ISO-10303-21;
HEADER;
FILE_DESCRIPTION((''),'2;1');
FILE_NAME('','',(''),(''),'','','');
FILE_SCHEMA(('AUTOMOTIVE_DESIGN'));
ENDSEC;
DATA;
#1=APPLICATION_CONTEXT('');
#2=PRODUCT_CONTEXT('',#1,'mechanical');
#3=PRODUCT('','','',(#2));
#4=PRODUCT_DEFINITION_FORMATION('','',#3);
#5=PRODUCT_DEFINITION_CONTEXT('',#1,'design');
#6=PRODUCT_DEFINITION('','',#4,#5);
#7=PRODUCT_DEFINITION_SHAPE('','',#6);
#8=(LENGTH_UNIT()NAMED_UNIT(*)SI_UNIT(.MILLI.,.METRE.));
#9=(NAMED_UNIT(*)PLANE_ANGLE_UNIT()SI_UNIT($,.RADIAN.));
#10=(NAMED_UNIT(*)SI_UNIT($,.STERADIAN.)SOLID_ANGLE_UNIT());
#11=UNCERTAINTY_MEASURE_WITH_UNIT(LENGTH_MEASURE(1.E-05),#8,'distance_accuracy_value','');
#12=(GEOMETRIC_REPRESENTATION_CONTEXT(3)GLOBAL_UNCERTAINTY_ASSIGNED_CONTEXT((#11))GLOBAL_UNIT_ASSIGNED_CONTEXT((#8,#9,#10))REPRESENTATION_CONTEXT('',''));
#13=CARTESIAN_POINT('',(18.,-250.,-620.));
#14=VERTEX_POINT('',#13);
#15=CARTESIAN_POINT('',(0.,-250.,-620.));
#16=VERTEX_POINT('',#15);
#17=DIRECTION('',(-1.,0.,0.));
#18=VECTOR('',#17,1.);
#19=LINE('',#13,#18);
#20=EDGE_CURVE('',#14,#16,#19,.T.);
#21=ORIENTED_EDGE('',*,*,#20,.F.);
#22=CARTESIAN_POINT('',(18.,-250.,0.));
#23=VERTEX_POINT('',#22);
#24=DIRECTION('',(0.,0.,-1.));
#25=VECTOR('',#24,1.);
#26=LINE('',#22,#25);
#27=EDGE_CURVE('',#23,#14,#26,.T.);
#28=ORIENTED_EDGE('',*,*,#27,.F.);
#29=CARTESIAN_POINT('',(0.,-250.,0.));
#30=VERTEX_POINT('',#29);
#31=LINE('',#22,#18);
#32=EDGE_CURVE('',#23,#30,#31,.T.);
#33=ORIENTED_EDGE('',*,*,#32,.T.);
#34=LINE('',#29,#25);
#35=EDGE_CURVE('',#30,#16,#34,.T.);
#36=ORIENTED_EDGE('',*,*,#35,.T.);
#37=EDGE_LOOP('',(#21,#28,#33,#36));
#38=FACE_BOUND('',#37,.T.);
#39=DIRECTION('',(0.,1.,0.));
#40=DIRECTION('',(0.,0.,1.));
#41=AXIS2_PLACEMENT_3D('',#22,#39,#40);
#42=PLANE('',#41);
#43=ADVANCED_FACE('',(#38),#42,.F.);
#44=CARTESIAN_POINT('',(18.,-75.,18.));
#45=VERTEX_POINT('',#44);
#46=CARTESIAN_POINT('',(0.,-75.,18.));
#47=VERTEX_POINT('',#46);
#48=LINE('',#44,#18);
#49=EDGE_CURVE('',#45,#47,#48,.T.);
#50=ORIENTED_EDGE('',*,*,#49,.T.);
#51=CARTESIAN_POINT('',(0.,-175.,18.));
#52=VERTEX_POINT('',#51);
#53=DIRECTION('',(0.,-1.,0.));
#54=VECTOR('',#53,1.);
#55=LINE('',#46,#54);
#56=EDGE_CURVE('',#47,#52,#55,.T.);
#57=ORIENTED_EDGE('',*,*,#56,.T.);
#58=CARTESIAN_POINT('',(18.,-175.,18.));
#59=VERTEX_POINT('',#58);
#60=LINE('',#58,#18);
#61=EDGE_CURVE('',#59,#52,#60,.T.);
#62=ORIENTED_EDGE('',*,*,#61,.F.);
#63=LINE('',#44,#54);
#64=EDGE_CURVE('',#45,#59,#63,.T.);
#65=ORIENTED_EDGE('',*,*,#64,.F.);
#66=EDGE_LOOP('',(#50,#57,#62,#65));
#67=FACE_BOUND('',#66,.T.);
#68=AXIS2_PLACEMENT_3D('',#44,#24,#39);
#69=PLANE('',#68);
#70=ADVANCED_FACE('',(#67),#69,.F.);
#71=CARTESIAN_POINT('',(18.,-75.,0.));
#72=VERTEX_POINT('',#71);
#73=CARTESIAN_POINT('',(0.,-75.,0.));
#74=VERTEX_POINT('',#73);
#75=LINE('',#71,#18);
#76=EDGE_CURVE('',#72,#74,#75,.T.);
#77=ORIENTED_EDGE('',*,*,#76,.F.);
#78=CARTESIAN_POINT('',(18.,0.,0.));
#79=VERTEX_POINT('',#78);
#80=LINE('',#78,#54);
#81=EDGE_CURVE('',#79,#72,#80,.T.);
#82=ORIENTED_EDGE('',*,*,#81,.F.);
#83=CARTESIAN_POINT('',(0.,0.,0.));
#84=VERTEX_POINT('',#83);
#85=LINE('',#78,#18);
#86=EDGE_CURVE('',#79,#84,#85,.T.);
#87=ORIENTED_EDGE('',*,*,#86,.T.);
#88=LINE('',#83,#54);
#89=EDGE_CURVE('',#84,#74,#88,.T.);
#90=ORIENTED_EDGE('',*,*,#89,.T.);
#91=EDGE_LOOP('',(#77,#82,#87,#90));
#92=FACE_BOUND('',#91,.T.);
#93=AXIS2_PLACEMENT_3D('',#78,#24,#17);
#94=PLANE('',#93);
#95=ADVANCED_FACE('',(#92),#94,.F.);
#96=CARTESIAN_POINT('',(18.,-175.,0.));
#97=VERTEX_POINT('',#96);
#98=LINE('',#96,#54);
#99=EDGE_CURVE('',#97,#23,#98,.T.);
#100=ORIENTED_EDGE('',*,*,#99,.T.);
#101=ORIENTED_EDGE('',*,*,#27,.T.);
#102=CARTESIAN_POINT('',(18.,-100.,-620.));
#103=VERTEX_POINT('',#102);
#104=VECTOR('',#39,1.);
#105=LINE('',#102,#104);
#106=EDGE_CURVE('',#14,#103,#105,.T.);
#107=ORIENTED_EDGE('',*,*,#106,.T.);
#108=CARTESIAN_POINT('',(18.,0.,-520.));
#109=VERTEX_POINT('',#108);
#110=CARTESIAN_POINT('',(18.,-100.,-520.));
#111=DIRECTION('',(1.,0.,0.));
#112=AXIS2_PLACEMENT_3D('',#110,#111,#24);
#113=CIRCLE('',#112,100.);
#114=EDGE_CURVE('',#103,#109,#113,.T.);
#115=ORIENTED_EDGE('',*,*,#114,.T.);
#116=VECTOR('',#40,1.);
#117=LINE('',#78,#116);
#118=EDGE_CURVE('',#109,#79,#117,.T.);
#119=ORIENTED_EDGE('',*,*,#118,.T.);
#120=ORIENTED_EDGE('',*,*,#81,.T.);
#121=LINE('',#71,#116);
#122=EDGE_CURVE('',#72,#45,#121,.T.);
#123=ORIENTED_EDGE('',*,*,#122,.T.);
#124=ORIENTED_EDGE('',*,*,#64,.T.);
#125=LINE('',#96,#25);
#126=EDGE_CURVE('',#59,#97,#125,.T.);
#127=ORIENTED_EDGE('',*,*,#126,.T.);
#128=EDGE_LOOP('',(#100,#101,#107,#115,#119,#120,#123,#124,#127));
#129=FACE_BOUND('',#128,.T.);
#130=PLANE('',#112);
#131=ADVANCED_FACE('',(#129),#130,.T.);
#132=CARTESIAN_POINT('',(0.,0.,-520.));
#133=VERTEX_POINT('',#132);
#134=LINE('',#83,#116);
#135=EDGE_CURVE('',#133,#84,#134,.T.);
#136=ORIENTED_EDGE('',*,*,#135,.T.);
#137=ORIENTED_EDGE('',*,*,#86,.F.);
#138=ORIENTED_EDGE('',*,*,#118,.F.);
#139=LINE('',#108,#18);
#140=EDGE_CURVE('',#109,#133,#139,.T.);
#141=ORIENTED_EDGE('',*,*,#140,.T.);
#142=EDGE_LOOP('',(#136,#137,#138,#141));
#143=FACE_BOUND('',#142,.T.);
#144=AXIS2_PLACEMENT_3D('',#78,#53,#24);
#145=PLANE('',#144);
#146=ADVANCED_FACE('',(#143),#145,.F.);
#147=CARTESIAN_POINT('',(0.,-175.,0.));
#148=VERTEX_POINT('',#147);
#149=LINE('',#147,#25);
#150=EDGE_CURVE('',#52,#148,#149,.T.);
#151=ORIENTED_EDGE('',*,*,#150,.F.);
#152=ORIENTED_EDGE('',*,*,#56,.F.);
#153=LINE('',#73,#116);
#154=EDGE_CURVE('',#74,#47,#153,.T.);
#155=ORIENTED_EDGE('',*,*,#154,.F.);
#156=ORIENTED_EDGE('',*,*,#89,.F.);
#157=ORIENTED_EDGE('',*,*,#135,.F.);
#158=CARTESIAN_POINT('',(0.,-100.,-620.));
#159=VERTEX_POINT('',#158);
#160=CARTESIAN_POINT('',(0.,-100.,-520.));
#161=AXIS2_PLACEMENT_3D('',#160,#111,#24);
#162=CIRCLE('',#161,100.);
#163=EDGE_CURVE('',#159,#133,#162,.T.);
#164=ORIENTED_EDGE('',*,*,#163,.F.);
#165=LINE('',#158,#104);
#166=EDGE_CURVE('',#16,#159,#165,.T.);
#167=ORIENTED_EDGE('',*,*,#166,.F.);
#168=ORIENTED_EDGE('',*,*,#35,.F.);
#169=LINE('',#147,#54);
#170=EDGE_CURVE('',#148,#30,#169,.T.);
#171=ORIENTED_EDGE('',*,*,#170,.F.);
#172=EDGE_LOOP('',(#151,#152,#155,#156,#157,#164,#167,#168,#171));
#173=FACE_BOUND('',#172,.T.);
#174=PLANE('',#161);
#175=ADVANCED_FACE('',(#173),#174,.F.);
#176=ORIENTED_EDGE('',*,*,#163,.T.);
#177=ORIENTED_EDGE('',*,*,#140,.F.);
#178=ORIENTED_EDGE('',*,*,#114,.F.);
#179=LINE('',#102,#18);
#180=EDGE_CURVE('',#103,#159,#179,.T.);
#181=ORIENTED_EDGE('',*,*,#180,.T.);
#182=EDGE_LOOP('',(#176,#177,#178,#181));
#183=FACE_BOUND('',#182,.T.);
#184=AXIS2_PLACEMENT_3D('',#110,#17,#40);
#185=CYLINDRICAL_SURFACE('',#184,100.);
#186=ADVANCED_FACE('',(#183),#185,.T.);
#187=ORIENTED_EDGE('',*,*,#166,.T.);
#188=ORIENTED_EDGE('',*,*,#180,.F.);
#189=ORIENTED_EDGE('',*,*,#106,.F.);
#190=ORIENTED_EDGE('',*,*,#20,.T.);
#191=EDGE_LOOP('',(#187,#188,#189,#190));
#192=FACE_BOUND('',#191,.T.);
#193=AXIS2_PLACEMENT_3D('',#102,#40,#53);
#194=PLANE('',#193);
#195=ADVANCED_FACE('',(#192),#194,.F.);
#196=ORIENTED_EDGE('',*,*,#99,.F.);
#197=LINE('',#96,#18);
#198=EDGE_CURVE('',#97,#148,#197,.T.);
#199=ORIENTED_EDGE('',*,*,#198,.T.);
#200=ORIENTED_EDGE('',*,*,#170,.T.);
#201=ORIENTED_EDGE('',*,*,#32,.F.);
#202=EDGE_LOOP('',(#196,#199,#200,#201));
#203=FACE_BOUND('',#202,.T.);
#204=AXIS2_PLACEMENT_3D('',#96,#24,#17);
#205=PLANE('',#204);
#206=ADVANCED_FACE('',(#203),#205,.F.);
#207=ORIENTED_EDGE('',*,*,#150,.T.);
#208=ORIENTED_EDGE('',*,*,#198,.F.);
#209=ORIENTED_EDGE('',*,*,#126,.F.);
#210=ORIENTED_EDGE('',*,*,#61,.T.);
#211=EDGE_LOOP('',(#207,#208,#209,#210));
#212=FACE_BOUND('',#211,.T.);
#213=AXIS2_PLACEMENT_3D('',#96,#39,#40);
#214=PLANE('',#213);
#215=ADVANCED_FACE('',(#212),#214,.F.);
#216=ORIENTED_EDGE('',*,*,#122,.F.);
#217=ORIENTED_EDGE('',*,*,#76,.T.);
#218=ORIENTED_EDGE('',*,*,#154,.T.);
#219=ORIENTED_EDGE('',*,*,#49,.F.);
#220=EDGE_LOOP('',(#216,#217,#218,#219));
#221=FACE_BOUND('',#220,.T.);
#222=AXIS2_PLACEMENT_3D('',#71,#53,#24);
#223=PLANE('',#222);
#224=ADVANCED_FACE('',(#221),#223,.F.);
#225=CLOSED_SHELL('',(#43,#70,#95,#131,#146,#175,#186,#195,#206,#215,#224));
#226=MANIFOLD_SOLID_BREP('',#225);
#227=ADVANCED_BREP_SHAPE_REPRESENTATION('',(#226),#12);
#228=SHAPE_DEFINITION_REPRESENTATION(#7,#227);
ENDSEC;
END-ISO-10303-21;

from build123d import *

# Parameters (mm, degrees)
BOSS_EXTRUDE1_DEPTH = 18


with BuildPart() as part:
    # Sketch1 → Boss-Extrude1 (new body)
    with BuildSketch(Plane(origin=(0, 0, 0), x_dir=(0, 0, -1), z_dir=(1, 0, 0))):
        with BuildLine():
            Line((0, -175), (0, -250))
            Line((0, -250), (620, -250))
            Line((620, -250), (620, -100))
            ThreePointArc((620, -100), (590.710678119, -29.289321881), (520, 0))
            Line((520, 0), (0, 0))
            Line((0, 0), (0, -75))
            Line((0, -75), (-18, -75))
            Line((-18, -75), (-18, -175))
            Line((-18, -175), (0, -175))
        make_face()
    extrude(amount=BOSS_EXTRUDE1_DEPTH)


solid = part.part
